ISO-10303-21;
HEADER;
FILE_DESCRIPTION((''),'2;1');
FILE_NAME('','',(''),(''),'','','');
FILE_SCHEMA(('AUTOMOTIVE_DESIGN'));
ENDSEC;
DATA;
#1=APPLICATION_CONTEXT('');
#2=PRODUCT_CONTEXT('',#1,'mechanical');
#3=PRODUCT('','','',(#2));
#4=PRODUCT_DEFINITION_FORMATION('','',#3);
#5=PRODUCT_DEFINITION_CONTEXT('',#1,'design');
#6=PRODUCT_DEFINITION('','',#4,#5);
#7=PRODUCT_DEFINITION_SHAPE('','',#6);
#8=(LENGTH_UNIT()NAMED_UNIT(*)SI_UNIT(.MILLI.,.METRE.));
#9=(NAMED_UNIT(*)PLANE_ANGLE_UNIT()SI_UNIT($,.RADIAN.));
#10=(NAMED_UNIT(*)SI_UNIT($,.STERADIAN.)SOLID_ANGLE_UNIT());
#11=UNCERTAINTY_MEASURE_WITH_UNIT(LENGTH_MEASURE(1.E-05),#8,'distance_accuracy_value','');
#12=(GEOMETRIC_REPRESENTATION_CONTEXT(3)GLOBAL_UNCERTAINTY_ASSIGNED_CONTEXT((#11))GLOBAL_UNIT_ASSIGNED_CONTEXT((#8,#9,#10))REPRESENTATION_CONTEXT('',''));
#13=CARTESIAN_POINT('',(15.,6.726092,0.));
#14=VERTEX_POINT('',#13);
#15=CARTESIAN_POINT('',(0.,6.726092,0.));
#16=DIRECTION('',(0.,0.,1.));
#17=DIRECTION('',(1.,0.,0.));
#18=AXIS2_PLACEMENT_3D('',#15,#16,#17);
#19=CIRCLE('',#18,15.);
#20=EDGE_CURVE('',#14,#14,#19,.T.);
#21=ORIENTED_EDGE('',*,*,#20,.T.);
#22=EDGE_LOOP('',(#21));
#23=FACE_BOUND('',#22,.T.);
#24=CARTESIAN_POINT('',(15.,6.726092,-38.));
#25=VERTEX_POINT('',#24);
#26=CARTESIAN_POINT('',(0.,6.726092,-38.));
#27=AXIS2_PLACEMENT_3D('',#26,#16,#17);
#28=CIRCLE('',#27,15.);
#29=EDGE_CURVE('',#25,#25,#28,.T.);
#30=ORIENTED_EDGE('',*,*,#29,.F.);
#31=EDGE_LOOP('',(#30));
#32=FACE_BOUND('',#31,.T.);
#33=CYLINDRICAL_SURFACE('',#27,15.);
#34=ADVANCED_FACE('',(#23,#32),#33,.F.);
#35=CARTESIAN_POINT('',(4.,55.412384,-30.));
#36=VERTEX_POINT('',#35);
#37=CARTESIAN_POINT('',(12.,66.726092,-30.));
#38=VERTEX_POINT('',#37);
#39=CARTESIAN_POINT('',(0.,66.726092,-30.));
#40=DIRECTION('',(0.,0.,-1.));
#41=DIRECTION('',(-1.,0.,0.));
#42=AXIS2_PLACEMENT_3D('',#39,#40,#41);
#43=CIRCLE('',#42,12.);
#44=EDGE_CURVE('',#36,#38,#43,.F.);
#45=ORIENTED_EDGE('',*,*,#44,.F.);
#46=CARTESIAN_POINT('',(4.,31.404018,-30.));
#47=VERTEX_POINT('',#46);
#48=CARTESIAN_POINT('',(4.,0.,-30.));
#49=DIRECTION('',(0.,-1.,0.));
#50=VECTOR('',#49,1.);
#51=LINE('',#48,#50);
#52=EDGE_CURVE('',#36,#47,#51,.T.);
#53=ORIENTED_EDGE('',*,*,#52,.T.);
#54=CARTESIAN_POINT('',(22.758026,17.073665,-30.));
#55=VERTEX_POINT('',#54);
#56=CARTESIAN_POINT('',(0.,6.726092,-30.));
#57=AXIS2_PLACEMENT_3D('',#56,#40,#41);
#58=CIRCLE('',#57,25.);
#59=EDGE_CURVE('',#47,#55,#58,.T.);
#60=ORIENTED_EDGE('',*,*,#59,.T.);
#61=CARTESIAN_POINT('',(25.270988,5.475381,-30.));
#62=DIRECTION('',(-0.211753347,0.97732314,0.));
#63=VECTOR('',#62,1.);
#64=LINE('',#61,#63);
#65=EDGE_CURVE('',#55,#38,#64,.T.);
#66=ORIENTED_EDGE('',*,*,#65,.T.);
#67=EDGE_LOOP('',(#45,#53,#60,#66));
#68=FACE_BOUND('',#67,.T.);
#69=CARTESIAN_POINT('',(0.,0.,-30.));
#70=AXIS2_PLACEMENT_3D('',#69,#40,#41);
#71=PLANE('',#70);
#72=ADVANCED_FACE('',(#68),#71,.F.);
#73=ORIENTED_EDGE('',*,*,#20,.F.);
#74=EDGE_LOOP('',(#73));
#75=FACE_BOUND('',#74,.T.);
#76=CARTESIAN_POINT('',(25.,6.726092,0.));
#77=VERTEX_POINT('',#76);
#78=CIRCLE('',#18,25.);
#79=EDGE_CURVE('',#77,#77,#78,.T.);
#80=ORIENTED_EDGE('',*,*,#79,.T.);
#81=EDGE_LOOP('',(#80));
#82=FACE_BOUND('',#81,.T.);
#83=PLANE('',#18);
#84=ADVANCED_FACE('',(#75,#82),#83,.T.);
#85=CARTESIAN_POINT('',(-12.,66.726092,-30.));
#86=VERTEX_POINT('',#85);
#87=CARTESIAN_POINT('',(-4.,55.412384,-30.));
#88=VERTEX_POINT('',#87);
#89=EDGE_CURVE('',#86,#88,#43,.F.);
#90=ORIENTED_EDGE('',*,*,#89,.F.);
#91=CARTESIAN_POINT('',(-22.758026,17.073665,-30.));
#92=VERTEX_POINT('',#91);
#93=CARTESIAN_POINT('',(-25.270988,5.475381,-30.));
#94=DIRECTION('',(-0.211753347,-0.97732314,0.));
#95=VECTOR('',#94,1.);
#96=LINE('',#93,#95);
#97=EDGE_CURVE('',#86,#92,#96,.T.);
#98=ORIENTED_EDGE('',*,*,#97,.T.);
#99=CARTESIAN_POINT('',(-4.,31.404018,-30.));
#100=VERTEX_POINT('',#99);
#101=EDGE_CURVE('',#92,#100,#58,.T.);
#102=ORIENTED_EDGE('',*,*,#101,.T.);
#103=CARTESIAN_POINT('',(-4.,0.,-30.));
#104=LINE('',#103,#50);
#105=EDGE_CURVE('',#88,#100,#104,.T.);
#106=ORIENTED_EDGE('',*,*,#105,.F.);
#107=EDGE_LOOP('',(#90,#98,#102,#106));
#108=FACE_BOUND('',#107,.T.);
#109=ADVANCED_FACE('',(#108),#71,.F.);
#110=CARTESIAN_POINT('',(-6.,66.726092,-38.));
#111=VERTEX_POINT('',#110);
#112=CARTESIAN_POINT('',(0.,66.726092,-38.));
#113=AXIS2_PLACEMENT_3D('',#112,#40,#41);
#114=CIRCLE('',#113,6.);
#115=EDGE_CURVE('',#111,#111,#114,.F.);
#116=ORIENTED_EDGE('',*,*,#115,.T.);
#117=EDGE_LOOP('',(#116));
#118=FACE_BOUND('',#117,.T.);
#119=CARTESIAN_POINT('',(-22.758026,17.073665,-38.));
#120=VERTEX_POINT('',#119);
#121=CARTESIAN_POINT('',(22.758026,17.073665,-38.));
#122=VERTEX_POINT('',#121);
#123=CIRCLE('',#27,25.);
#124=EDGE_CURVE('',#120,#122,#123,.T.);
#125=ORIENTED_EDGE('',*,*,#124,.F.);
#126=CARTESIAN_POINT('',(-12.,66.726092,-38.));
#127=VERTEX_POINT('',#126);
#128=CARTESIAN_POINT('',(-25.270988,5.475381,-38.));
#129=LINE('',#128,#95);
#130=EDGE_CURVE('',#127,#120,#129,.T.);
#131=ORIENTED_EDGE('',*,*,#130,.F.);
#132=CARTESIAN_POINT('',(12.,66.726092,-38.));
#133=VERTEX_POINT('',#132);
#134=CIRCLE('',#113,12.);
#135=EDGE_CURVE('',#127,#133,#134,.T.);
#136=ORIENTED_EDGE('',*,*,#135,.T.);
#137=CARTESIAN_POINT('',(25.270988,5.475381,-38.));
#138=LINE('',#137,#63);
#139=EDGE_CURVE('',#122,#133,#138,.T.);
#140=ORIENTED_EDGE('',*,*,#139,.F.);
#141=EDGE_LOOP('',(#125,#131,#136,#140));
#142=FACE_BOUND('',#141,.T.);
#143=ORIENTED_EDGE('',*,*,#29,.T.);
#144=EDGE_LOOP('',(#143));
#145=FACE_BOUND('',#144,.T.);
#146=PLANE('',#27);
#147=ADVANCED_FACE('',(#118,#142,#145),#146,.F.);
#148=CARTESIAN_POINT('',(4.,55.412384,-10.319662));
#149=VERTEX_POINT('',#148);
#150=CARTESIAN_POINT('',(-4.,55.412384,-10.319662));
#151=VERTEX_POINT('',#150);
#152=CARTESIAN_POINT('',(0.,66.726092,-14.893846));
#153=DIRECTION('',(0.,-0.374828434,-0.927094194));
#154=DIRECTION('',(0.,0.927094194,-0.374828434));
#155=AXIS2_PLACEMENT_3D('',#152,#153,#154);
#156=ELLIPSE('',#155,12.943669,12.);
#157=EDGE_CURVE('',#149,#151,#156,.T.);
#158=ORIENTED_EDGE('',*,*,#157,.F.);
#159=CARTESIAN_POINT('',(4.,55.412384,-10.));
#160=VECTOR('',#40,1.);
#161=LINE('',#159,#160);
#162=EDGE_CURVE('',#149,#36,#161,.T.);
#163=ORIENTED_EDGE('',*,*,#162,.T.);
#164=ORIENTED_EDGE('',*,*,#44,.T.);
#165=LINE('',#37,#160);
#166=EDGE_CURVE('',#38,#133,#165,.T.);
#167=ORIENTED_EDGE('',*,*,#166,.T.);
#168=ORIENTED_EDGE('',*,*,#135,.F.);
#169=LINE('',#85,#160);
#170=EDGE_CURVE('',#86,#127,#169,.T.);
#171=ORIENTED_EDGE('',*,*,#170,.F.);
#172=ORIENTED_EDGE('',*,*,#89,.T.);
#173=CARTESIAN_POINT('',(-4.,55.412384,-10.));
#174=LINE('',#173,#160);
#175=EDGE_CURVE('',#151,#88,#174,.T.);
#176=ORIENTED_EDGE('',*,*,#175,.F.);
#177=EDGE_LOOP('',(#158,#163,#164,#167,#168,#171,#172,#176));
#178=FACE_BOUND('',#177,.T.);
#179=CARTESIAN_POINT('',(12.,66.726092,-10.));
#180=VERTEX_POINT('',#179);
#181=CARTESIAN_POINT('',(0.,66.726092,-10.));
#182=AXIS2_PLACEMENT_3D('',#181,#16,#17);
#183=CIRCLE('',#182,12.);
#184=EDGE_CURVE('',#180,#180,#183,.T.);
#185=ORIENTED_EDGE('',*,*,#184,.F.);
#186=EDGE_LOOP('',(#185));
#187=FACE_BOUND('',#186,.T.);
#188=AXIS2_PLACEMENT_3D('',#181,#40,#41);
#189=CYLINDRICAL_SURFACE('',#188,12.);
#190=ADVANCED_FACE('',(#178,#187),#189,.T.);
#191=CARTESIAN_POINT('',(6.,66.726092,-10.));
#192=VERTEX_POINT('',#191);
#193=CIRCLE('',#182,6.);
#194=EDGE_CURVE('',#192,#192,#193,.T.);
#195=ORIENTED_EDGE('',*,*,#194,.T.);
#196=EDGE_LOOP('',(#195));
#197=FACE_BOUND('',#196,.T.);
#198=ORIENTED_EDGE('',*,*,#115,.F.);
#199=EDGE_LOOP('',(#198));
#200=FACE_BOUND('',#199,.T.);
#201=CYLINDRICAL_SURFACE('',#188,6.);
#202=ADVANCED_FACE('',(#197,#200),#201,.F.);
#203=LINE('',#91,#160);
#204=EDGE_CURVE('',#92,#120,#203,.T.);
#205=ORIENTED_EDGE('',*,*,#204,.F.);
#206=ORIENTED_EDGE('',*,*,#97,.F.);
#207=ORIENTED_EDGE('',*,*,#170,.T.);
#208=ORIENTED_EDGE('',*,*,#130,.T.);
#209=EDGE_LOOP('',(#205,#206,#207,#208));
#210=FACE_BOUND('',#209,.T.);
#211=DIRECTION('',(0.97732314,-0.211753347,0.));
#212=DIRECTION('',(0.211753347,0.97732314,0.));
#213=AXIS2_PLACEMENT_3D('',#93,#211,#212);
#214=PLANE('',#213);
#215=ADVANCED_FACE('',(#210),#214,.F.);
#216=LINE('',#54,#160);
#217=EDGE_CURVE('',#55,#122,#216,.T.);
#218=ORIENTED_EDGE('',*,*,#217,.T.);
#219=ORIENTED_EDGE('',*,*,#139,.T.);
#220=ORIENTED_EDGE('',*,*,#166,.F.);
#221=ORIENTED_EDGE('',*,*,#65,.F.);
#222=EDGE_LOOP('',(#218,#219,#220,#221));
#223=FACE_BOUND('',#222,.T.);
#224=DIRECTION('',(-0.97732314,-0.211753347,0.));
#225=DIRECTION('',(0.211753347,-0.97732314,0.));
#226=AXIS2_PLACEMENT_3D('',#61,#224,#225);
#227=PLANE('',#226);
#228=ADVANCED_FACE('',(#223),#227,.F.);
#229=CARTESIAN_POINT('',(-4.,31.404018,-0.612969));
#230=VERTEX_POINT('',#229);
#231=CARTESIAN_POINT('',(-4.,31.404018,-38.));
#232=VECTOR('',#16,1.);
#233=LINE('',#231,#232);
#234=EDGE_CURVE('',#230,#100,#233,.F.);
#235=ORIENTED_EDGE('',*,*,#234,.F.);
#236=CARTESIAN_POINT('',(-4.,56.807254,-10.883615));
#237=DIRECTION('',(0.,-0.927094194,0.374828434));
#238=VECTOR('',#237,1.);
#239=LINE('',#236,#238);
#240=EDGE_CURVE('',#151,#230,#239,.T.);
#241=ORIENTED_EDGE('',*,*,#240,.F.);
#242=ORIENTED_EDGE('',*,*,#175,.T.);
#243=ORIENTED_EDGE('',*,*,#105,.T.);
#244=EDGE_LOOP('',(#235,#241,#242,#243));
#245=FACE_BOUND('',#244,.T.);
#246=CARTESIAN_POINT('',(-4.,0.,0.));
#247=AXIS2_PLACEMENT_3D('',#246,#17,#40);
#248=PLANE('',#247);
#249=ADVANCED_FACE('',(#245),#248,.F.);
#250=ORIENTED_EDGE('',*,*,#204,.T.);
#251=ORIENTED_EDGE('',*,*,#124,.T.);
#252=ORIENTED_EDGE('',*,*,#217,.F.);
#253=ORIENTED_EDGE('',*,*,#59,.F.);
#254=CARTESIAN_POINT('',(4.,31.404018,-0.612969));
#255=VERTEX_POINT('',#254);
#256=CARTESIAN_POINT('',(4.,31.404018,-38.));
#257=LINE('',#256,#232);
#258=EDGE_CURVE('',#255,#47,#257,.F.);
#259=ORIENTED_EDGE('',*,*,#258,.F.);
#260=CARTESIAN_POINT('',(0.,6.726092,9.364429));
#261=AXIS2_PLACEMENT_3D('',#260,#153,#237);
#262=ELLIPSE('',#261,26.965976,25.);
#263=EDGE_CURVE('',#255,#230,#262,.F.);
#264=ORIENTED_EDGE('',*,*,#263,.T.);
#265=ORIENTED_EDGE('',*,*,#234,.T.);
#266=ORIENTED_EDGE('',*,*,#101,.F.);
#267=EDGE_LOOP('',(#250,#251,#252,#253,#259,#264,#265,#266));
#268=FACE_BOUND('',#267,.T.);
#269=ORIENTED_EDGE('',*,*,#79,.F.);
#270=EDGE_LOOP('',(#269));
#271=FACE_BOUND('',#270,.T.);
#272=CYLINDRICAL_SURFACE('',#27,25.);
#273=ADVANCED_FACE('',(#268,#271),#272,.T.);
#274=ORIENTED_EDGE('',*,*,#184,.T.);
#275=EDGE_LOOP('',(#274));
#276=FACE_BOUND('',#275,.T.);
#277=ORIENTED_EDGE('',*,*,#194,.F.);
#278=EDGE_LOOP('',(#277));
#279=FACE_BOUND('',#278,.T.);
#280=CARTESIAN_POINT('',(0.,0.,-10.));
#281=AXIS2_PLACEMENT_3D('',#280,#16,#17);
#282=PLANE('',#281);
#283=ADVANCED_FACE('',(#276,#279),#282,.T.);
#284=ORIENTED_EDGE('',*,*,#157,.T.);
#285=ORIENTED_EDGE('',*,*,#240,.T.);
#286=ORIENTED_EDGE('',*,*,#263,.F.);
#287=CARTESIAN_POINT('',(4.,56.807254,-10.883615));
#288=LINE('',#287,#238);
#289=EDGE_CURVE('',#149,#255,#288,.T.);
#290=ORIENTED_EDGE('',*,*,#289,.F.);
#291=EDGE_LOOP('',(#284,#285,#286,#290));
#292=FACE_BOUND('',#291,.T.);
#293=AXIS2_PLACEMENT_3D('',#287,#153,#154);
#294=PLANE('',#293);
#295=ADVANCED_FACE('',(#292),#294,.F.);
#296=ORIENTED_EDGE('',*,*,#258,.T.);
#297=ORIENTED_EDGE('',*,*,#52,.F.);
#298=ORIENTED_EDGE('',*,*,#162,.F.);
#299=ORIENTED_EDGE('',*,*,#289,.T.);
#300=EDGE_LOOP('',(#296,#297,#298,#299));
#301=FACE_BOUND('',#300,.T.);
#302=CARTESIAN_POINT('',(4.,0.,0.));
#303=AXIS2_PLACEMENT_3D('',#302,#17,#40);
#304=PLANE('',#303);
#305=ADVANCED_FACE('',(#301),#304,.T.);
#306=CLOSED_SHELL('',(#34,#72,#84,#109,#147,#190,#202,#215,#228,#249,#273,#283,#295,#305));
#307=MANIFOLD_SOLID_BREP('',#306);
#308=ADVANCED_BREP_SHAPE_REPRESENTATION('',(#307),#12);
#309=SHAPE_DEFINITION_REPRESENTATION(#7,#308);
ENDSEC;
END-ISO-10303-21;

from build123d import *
from build123d.topology import SkipClean

# Parameters (mm, degrees)
SKETCH2_R           = 25
SKETCH2_R_2         = 15
BOSS_EXTRUDE1_DEPTH = 38
BOSS_EXTRUDE3_START = -8
BOSS_EXTRUDE3_DEPTH = 8
SKETCH4_R           = 12
SKETCH4_R_2         = 6
BOSS_EXTRUDE4_DEPTH = 20
BOSS_EXTRUDE5_START = 8
BOSS_EXTRUDE5_DEPTH = 8
CUT_EXTRUDE1_START  = -71
CUT_EXTRUDE1_DEPTH  = 71
BOSS_EXTRUDE8_DEPTH = 4


with BuildPart() as part:
    # Sketch2 → Boss-Extrude1 (new body)
    with BuildSketch(Plane.XY):
        with Locations((0, 6.726092211)):
            Circle(SKETCH2_R)
        with Locations((0, 6.726092211)):
            Circle(SKETCH2_R_2, mode=Mode.SUBTRACT)
    extrude(amount=-BOSS_EXTRUDE1_DEPTH)

    # Sketch5 → Boss-Extrude3 (add)
    with BuildSketch(Plane(origin=(0, 0, -38), x_dir=(-1, 0, 0), z_dir=(0, 0, -1)).offset(BOSS_EXTRUDE3_START)):
        with BuildLine():
            Line((-12, 66.726092211), (-22.758026002, 17.073664512))
            ThreePointArc((-22.758026002, 17.073664512), (0, 31.726092211), (22.758026002, 17.073664512))
            Line((22.758026002, 17.073664512), (12, 66.726092211))
            Line((12, 66.726092211), (-12, 66.726092211))
        make_face()
    extrude(amount=BOSS_EXTRUDE3_DEPTH)

    # Sketch4 → Boss-Extrude4 (add)
    with BuildSketch(Plane.XY.offset(-30)):
        with Locations((0, 66.726092211)):
            Circle(SKETCH4_R)
        with Locations((0, 66.726092211)):
            Circle(SKETCH4_R_2, mode=Mode.SUBTRACT)
    extrude(amount=BOSS_EXTRUDE4_DEPTH)

    # Sketch6 → Boss-Extrude5 (add)
    with BuildSketch(Plane(origin=(0, 0, -30), x_dir=(-1, 0, 0), z_dir=(0, 0, -1)).offset(BOSS_EXTRUDE5_START)):
        with BuildLine():
            Line((6, 66.726092211), (12, 66.726092211))
            ThreePointArc((12, 66.726092211), (0, 78.726092211), (-12, 66.726092211))
            Line((-12, 66.726092211), (-6, 66.726092211))
            ThreePointArc((-6, 66.726092211), (0, 72.726092211), (6, 66.726092211))
        make_face()
    extrude(amount=-BOSS_EXTRUDE5_DEPTH)

    # Sketch8 → Cut-Extrude1 (cut)
    with SkipClean():  # the faces are left unmerged after this step: merging them gives an invalid solid
        with BuildSketch(Plane.XY.offset(-30).offset(CUT_EXTRUDE1_START)):
            with BuildLine():
                Line((-6, 66.726092211), (6, 66.726092211))
                ThreePointArc((6, 66.726092211), (0, 60.726092211), (-6, 66.726092211))
            make_face()
        extrude(amount=CUT_EXTRUDE1_DEPTH, mode=Mode.SUBTRACT)

    # Sketch9 → Boss-Extrude8 (add, symmetric)
    with SkipClean():  # the faces are left unmerged after this step: merging them gives an invalid solid
        with BuildSketch(Plane(origin=(0, 0, 0), x_dir=(0, 0, -1), z_dir=(1, 0, 0))):
            Polygon((10.883614589, 56.807254431), (30, 56.807254431), (31.174578116, 56.807254431), (31.174578116, 29.887909486), (0, 29.887909486), align=None)
        extrude(amount=BOSS_EXTRUDE8_DEPTH, both=True)


solid = part.part
